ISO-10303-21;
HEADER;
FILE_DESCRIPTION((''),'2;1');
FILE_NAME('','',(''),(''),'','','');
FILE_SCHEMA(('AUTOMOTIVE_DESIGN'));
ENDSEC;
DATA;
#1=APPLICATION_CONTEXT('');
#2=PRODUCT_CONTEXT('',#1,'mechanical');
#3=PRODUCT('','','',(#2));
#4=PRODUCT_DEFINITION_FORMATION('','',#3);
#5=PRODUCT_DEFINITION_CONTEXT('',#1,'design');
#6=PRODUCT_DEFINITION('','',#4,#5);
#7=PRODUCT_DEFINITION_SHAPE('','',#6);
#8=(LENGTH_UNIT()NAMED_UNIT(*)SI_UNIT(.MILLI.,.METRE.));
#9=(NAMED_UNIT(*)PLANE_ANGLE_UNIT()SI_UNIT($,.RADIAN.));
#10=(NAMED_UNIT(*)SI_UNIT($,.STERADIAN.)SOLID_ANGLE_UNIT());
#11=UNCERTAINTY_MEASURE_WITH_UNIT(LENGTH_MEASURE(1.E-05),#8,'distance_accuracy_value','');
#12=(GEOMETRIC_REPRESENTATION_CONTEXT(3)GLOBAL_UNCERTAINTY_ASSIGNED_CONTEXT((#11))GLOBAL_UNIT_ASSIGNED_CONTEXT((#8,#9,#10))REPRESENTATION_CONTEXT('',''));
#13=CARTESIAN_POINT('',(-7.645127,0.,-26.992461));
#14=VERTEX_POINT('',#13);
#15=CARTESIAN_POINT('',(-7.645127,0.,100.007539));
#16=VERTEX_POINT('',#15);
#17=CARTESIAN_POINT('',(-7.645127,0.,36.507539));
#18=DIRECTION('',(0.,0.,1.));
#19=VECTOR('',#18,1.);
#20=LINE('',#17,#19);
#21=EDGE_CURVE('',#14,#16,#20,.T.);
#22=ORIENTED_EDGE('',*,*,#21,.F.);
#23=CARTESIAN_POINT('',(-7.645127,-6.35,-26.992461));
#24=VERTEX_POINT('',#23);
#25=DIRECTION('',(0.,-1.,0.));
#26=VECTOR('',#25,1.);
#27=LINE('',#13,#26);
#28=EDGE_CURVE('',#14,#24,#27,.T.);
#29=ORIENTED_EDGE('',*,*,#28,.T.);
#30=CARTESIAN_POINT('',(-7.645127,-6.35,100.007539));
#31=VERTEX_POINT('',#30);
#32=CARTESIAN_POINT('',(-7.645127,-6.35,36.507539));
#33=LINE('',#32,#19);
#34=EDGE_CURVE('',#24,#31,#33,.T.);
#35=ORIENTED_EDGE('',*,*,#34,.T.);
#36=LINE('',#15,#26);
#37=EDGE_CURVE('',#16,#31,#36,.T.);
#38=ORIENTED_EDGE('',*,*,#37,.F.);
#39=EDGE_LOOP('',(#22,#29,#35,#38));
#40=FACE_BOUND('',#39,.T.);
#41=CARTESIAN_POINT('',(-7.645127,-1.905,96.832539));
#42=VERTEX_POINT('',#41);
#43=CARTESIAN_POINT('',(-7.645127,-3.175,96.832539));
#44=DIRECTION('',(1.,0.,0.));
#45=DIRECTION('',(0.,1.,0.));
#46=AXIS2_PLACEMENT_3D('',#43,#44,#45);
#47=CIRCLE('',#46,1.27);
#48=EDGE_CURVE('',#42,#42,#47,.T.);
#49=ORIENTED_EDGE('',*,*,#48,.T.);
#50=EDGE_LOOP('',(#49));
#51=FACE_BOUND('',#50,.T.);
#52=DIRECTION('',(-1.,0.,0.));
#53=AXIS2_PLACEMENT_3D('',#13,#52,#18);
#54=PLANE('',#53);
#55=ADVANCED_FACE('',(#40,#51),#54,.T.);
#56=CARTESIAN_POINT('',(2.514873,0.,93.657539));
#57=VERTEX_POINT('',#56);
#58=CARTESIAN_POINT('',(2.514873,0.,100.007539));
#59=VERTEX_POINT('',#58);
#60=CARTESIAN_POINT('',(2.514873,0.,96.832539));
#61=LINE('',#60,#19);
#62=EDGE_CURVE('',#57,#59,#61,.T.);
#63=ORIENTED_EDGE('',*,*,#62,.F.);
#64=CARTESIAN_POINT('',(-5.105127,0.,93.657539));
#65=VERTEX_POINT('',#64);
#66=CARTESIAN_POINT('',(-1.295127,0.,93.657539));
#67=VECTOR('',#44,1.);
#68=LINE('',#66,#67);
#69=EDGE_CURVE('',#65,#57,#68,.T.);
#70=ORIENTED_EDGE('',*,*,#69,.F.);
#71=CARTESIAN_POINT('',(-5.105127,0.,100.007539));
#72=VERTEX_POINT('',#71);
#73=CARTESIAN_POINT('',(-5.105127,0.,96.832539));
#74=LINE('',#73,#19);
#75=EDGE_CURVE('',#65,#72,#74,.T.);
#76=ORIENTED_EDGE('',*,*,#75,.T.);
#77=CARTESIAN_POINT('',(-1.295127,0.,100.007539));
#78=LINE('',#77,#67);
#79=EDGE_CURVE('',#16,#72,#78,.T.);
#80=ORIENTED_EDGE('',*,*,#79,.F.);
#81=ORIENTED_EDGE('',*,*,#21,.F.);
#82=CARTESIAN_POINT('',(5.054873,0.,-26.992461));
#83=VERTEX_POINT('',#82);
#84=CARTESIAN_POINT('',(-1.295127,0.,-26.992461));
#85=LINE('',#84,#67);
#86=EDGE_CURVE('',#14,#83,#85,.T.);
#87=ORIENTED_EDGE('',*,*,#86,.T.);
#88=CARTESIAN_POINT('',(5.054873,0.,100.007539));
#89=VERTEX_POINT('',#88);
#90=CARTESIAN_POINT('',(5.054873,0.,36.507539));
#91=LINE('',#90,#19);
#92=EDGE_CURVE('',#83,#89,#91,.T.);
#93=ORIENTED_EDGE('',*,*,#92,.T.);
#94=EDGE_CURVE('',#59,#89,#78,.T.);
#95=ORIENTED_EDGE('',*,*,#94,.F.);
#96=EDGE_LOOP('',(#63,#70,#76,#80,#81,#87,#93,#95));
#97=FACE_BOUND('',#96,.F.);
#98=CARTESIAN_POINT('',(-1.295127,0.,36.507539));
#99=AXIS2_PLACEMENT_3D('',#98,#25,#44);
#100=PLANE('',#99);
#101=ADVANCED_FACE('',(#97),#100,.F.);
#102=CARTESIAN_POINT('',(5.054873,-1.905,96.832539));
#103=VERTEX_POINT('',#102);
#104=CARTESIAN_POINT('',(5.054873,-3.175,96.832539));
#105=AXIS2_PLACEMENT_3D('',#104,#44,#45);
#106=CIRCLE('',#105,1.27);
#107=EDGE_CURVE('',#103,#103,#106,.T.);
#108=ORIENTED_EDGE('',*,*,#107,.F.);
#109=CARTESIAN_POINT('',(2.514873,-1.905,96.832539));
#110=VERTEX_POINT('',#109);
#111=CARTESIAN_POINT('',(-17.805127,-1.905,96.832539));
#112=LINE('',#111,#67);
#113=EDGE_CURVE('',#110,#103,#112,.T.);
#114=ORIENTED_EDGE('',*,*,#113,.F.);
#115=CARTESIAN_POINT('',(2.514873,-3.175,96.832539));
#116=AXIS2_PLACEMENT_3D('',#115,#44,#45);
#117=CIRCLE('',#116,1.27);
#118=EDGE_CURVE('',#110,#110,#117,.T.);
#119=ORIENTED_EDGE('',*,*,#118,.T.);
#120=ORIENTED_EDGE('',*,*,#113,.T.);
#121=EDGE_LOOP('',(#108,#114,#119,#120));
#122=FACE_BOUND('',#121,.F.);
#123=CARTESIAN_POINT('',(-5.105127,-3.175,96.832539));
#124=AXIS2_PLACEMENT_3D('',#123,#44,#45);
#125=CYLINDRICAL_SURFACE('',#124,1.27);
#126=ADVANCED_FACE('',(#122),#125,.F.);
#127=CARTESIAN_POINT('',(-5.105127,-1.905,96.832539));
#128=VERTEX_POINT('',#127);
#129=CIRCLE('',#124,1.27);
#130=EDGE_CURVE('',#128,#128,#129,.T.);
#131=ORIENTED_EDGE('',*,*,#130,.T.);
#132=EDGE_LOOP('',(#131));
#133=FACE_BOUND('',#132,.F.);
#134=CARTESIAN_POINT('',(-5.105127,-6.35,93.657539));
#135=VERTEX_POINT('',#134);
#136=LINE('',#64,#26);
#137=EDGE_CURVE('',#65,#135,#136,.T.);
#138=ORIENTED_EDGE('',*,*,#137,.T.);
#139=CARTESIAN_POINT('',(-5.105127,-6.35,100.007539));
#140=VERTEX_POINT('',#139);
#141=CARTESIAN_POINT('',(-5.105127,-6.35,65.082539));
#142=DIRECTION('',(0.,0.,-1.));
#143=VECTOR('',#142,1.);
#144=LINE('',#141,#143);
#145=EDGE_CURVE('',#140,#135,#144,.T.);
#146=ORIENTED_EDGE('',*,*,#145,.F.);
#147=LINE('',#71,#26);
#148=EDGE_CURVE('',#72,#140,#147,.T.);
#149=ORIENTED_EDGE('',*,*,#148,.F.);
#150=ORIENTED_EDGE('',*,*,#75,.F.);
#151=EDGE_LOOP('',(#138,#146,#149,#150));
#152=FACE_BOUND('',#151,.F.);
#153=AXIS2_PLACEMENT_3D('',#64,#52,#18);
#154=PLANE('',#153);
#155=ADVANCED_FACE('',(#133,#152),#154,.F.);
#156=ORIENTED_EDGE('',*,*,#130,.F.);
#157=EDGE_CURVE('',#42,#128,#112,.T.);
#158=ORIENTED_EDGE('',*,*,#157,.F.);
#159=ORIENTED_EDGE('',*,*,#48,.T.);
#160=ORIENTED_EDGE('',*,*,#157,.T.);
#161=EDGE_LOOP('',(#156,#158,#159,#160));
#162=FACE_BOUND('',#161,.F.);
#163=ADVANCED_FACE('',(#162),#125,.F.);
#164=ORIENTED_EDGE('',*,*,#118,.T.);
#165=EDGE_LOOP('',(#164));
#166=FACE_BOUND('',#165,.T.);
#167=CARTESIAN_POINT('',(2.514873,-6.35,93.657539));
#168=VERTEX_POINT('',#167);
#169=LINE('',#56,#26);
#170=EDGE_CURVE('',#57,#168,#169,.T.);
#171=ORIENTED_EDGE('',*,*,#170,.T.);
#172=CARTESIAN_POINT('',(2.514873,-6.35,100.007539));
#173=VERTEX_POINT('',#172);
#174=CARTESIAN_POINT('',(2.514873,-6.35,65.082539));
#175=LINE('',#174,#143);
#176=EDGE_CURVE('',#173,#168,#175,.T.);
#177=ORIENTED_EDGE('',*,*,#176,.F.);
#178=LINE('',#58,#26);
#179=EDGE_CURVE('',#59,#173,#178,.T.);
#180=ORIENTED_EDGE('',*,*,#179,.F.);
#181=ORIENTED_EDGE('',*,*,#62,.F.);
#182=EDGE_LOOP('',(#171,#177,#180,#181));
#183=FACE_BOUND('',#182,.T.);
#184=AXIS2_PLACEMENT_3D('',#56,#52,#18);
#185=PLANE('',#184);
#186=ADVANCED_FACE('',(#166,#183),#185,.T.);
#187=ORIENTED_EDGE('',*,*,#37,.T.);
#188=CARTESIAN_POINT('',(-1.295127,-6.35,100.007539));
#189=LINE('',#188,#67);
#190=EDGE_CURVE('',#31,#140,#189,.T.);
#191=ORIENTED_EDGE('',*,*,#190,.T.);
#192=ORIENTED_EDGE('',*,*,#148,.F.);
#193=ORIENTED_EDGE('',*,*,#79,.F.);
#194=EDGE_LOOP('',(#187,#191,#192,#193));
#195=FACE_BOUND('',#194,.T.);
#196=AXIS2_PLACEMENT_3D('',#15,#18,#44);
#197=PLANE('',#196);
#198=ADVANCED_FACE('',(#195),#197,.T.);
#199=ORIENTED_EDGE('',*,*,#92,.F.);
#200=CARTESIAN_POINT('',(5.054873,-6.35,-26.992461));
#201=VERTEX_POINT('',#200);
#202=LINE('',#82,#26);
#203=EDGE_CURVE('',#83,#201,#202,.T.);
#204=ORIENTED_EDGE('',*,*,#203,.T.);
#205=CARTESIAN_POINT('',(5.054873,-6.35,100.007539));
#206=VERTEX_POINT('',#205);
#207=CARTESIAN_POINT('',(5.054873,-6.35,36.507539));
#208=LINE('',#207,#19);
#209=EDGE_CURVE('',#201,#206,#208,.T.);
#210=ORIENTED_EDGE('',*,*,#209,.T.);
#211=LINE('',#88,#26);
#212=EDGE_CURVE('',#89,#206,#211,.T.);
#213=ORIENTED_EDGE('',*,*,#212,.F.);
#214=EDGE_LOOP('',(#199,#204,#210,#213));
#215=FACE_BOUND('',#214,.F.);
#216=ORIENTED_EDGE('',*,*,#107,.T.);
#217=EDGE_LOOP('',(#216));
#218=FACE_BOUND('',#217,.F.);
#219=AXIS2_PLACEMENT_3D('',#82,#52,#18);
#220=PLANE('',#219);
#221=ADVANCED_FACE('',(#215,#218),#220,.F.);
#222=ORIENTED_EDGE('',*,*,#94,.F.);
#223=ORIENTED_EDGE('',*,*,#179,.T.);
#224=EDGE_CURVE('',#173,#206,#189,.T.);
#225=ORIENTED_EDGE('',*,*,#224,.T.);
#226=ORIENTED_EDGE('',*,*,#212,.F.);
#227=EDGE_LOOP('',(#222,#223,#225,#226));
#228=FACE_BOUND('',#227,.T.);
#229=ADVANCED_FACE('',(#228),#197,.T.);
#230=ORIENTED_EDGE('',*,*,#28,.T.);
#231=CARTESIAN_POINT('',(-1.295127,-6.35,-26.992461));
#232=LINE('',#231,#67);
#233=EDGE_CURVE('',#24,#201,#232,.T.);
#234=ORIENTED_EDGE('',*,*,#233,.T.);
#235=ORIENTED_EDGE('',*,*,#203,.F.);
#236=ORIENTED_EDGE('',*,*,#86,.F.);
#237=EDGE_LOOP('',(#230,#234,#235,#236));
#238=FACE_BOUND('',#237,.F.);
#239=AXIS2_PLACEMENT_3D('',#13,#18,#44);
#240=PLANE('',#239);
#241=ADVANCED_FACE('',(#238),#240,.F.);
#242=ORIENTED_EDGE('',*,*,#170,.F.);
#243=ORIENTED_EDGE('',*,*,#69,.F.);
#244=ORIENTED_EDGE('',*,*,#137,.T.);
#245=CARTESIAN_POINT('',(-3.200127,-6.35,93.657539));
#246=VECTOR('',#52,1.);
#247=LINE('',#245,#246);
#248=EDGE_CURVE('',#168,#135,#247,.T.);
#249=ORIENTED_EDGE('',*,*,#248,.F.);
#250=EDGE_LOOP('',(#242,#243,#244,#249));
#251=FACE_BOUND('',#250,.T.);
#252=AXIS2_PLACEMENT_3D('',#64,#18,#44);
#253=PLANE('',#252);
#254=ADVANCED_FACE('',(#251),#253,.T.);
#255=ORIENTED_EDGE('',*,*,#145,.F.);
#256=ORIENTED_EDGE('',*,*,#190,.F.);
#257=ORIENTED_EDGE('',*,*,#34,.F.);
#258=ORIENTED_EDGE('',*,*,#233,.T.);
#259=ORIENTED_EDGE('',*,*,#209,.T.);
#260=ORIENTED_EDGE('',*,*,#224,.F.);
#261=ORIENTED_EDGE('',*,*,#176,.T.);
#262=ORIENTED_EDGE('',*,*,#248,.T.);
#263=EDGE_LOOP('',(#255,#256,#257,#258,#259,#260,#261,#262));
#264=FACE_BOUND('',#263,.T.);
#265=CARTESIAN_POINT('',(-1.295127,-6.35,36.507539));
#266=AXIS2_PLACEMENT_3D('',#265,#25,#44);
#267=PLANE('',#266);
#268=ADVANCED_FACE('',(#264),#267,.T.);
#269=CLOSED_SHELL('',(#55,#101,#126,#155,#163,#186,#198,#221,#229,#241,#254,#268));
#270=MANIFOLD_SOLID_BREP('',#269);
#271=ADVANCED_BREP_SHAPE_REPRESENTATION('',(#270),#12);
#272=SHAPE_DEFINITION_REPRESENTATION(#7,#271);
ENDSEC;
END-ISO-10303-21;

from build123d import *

# Parameters (mm, degrees)
F0_W     = 12.7
F0_H     = 127
F1_DEPTH = 6.35
F2_W     = 7.62
F2_H     = 6.35
F3_DEPTH = 6.351
F4_R     = 1.27
F5_DEPTH = 12.7


with BuildPart() as f1:
    # F0 (on Front) → F1 (new body)
    with BuildSketch(Plane.XZ):
        with Locations((-1.295127, 36.507539)):
            Rectangle(F0_W, F0_H)
    extrude(amount=F1_DEPTH)

    # F2 (on Front) → F3 (cut, through all)
    with BuildSketch(Plane.XZ):
        with Locations((-1.295127, 96.832539)):
            Rectangle(F2_W, F2_H)
    extrude(amount=F3_DEPTH, mode=Mode.SUBTRACT)

    # F4 (on face) → F5 (cut, symmetric)
    with BuildSketch(Plane.YZ.offset(-5.105127)):
        with Locations((-3.175, 96.832539)):
            Circle(F4_R)
    extrude(amount=F5_DEPTH, both=True, mode=Mode.SUBTRACT)


solid = f1.part
